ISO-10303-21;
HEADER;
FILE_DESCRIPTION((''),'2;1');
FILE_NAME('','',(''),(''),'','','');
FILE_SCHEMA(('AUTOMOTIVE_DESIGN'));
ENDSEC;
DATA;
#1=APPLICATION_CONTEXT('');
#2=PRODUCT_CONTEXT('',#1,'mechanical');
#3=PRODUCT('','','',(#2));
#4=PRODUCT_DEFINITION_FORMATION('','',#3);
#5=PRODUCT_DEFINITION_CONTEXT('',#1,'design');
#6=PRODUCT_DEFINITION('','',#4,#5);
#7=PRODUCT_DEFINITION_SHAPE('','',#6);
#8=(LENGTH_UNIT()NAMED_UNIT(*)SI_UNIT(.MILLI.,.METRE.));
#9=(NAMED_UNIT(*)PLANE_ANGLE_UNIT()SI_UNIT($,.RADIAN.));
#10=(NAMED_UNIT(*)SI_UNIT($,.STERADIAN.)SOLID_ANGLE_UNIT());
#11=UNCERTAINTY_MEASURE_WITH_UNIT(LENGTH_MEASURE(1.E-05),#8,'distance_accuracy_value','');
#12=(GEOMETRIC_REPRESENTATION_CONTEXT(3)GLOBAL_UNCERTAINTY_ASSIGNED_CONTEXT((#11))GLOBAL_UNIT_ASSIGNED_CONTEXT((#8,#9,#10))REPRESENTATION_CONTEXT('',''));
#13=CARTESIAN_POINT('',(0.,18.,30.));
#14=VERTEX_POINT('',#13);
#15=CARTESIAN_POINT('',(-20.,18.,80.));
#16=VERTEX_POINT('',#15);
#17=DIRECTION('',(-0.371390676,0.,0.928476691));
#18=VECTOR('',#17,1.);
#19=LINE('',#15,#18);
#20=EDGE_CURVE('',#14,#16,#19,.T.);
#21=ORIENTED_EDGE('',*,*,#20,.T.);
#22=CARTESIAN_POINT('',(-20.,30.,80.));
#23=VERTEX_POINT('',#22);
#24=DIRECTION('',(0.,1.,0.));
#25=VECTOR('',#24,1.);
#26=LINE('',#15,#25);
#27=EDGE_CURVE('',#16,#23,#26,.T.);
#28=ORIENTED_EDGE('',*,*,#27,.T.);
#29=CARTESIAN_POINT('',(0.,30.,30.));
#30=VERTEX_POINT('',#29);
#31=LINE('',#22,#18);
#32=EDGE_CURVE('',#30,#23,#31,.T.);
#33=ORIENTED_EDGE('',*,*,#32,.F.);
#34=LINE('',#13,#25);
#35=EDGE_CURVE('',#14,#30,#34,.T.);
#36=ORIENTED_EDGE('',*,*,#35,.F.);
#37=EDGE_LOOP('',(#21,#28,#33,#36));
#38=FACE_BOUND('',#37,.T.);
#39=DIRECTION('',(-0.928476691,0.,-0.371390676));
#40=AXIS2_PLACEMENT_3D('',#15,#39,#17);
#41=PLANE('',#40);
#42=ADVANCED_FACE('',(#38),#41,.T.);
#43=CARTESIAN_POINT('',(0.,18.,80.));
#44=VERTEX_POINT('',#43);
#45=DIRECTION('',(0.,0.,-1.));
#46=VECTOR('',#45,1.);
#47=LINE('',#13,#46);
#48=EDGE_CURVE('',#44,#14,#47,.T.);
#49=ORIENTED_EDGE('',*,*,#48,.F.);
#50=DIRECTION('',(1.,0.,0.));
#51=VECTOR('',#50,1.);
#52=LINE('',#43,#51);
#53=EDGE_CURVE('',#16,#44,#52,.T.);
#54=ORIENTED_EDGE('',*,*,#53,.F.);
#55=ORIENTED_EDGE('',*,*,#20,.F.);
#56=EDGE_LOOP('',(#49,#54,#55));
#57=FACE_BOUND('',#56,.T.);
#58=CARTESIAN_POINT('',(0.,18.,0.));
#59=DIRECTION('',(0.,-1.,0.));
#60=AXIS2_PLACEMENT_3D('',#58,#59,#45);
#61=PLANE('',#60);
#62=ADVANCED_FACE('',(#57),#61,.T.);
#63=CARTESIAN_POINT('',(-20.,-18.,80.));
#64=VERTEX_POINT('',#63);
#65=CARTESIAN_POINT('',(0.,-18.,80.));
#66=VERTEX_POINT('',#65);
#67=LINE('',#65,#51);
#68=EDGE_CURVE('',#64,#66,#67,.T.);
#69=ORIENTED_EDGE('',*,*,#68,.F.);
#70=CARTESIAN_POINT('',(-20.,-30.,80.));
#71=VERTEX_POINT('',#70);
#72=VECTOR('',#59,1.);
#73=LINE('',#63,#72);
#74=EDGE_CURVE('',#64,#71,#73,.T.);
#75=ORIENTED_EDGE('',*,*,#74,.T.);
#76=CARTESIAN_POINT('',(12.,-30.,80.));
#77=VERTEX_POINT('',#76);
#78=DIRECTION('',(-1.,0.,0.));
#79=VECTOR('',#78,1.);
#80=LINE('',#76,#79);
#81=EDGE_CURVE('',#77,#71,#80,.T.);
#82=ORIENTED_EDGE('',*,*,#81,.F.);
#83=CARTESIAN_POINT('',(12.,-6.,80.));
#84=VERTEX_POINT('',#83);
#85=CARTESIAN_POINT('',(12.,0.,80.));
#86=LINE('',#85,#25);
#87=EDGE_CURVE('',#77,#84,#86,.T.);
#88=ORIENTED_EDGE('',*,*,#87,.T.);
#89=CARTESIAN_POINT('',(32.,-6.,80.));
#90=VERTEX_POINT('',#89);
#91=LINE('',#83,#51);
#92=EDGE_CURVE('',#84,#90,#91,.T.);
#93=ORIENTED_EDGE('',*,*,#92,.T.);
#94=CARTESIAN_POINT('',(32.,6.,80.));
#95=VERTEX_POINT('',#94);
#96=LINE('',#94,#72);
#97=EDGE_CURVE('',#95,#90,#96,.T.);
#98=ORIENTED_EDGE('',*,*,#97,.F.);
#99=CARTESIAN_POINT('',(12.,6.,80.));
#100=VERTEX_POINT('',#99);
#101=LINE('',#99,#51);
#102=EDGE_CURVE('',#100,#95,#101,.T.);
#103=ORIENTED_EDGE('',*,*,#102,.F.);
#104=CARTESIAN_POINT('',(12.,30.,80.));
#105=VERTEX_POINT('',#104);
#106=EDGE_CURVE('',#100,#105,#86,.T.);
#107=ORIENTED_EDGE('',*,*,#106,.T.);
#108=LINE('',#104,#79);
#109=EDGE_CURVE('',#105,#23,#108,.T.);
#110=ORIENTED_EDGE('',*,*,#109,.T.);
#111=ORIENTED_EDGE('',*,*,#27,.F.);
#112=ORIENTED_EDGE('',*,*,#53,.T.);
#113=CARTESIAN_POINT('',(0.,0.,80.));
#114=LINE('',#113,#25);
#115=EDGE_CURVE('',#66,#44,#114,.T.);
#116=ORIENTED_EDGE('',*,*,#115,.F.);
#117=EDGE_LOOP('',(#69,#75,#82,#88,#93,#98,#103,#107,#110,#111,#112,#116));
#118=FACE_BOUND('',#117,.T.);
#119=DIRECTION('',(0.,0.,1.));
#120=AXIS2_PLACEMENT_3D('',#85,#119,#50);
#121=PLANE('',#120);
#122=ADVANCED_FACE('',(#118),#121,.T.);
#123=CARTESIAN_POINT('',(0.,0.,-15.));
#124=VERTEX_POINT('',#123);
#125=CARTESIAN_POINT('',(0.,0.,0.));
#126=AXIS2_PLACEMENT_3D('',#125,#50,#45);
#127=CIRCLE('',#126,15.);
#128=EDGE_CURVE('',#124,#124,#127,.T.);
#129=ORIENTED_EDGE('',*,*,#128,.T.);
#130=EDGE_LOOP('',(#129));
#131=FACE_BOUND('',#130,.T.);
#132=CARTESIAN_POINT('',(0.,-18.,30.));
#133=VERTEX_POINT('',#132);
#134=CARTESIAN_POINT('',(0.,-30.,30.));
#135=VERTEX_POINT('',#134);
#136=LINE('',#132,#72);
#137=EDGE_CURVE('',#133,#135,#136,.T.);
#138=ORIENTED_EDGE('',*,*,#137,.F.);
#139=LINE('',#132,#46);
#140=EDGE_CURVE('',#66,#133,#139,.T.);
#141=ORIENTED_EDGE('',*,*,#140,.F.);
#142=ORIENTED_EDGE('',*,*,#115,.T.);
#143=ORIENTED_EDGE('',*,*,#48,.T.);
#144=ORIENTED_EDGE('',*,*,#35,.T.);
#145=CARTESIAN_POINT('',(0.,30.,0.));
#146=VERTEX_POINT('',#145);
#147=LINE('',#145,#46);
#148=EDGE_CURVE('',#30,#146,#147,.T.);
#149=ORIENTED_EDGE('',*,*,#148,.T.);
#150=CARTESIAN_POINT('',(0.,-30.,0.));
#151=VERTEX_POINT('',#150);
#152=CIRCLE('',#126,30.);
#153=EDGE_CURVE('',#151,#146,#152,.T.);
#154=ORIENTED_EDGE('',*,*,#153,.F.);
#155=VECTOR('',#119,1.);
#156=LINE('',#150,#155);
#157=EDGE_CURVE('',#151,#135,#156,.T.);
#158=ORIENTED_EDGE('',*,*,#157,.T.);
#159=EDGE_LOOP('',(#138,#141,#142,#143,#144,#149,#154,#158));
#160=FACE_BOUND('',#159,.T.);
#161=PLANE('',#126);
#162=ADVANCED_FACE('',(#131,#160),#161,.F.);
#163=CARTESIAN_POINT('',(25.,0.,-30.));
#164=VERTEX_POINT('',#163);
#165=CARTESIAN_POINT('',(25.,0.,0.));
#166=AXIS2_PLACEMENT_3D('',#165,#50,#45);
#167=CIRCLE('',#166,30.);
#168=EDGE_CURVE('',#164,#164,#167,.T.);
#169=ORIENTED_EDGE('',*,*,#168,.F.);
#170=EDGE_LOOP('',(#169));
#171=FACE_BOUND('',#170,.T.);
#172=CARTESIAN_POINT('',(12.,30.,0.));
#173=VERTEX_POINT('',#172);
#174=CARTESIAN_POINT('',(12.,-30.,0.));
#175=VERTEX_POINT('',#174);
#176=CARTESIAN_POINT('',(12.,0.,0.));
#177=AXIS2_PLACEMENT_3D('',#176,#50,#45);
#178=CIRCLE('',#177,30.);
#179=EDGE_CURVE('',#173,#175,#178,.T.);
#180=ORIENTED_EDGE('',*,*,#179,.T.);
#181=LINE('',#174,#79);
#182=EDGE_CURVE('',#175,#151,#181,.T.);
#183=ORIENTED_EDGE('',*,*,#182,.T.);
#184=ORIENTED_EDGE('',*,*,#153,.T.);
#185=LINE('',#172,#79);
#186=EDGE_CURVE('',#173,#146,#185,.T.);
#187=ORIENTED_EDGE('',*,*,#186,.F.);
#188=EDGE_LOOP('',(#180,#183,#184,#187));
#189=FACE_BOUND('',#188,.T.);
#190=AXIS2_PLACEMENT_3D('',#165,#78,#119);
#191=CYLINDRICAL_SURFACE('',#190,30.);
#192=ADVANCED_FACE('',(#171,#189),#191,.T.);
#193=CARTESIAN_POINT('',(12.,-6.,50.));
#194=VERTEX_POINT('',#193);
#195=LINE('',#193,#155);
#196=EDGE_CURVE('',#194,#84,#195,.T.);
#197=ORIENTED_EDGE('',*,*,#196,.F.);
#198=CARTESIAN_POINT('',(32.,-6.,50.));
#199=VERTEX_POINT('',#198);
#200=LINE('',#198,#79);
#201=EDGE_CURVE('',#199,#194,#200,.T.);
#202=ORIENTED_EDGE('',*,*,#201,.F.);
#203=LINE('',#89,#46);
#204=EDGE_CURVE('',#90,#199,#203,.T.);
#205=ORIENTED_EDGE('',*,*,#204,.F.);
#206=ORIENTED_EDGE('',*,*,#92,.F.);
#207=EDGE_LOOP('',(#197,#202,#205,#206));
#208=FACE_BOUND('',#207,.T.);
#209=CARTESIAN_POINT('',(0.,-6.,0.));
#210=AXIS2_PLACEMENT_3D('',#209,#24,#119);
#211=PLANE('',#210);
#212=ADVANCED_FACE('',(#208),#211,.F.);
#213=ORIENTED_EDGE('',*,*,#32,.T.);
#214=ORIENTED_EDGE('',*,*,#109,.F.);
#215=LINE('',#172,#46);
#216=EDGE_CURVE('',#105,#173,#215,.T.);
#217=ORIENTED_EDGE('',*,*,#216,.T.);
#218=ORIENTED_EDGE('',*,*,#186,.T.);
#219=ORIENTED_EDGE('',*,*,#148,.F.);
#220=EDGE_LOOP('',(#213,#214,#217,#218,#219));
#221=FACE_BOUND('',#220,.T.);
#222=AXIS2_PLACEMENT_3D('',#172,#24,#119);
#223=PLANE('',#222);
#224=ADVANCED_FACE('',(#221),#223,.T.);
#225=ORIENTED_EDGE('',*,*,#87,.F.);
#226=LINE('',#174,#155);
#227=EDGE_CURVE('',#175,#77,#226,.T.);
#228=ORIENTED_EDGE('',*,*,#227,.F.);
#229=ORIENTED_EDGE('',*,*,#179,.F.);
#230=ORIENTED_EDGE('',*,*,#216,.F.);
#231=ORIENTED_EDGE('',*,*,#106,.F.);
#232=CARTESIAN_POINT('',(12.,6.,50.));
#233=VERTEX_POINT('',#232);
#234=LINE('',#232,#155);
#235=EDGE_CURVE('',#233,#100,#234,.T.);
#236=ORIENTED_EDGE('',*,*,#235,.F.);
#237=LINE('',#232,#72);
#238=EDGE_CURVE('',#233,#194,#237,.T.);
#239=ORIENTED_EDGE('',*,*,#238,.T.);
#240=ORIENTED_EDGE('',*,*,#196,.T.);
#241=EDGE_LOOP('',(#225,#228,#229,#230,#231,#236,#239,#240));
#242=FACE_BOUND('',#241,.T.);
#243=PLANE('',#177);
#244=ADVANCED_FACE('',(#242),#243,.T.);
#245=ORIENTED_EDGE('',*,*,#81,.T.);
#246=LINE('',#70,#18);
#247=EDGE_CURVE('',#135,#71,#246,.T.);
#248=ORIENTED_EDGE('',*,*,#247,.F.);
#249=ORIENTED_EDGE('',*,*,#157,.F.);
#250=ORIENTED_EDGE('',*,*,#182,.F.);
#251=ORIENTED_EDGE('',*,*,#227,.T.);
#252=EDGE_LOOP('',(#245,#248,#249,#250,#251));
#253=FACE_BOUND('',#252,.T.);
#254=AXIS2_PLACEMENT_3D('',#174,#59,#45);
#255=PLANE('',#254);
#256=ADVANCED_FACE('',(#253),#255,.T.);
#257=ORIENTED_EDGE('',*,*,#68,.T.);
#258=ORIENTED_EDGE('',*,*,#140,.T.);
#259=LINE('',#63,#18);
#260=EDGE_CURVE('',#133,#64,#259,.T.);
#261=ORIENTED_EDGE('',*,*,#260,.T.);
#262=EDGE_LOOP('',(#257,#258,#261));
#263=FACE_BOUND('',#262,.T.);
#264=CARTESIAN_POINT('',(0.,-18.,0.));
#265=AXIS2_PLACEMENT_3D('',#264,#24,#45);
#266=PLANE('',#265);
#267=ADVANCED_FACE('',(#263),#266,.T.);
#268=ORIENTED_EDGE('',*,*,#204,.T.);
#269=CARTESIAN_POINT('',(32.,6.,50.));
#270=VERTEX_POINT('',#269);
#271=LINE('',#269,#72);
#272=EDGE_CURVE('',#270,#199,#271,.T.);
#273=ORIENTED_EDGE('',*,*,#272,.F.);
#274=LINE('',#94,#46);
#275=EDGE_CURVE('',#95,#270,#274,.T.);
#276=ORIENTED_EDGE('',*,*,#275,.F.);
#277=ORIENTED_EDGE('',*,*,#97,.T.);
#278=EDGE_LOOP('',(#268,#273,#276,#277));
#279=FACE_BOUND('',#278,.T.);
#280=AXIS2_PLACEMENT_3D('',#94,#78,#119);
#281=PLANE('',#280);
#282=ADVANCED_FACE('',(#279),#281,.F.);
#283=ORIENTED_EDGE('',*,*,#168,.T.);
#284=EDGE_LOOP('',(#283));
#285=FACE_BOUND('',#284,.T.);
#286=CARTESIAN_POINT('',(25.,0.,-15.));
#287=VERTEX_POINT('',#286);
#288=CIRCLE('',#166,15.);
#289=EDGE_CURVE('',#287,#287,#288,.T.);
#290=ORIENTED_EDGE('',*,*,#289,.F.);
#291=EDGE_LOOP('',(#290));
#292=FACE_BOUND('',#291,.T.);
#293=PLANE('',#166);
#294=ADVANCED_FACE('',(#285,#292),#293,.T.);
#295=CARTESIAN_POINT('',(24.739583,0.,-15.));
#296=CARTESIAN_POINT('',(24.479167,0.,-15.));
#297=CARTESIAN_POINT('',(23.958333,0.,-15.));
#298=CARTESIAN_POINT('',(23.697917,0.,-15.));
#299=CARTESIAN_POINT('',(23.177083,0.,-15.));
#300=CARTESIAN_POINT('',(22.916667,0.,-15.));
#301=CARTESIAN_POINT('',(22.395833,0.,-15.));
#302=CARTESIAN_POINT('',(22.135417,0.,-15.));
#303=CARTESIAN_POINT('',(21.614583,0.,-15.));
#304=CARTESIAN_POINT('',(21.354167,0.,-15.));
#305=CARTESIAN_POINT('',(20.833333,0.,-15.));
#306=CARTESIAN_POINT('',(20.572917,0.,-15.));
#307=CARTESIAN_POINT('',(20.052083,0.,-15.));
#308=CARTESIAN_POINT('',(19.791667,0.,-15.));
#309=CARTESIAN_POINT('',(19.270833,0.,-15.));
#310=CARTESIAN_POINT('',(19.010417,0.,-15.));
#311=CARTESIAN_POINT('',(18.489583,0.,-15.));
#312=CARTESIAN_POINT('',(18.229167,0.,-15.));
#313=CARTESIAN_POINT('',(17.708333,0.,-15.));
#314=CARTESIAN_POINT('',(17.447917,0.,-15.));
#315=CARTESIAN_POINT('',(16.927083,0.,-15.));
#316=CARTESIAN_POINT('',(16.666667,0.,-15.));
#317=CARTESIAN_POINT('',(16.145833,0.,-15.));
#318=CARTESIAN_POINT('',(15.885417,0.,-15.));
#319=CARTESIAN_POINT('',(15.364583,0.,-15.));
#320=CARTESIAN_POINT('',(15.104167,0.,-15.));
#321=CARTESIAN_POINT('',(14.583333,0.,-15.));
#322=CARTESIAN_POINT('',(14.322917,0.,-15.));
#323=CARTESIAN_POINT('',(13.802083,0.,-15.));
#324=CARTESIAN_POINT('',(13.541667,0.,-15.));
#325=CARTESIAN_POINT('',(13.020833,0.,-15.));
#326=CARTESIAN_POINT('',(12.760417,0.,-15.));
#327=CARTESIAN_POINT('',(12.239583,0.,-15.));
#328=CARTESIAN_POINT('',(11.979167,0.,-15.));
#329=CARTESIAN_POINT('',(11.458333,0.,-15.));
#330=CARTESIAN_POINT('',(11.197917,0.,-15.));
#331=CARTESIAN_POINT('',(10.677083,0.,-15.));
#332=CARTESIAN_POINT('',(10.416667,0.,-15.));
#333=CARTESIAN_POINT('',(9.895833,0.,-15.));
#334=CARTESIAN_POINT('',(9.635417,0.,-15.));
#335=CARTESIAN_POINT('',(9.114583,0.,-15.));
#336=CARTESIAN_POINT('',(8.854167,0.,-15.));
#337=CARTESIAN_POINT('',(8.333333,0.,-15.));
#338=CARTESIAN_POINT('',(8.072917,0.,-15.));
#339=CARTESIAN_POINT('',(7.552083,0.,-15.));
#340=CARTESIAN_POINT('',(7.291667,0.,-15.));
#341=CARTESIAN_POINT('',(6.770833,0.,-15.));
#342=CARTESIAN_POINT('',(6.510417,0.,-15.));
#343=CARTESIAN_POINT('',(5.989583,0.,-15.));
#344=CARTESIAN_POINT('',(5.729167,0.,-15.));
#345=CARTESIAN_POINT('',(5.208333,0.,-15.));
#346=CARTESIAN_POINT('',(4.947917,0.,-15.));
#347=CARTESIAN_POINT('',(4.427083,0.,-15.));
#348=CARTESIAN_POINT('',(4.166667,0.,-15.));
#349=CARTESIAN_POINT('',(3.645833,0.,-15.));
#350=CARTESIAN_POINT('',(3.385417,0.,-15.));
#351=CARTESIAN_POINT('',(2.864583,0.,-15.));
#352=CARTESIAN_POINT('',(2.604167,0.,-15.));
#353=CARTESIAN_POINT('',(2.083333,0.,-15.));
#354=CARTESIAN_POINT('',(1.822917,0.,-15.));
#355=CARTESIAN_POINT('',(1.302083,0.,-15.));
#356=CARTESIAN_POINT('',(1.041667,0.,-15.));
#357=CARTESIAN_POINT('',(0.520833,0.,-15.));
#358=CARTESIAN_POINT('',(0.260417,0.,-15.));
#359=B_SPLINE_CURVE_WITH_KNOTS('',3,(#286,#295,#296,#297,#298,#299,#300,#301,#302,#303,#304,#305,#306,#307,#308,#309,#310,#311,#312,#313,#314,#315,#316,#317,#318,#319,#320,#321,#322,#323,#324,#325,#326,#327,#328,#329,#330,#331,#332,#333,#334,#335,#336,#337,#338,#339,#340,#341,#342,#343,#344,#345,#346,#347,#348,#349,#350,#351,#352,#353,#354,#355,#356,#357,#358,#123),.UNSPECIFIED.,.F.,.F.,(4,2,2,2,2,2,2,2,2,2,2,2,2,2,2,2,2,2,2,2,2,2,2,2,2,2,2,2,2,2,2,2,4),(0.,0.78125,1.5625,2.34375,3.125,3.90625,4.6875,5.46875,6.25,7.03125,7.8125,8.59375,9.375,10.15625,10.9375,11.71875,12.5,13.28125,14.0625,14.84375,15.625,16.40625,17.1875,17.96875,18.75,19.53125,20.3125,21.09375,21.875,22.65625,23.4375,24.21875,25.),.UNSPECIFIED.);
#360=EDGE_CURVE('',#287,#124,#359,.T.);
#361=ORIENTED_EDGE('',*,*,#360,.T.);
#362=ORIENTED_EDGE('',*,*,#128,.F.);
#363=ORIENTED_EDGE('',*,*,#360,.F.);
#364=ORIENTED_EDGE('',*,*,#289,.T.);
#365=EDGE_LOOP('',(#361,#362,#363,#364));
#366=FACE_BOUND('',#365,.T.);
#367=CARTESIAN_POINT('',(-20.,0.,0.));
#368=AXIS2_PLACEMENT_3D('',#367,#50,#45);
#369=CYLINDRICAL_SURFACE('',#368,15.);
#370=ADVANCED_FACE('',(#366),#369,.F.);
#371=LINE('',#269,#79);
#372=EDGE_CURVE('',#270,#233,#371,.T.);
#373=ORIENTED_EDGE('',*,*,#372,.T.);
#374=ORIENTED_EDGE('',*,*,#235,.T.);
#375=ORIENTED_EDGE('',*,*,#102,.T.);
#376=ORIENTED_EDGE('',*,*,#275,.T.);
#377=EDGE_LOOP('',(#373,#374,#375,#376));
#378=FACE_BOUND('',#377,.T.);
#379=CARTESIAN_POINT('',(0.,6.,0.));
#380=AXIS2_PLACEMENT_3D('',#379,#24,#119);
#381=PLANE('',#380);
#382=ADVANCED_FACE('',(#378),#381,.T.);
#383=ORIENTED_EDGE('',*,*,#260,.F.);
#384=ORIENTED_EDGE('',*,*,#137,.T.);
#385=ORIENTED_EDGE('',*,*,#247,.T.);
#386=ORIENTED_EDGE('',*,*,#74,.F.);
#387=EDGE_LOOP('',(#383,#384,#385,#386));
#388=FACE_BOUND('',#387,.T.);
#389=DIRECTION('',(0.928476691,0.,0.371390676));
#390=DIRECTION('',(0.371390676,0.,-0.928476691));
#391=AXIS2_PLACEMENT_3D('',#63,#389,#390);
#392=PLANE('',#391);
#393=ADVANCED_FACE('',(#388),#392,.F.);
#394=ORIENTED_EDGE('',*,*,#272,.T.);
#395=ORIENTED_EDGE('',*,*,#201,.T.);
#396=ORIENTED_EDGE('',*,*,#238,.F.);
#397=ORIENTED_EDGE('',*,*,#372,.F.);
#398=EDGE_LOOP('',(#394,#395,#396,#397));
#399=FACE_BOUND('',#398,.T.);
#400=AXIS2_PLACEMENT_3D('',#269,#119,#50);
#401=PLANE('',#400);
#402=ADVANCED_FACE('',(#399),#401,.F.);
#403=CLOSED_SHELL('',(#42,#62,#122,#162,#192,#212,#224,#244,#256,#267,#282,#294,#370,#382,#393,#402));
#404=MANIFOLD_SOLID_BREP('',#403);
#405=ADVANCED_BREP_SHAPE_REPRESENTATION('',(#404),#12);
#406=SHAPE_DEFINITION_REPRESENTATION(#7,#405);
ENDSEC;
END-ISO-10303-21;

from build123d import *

# Parameters (mm, degrees)
BOSS_EXTRUDE1_DEPTH     = 12
BOSS_EXTRUDE2_DEPTH     = 25
SKETCH2_W               = 20
SKETCH2_H               = 30
BOSS_EXTRUDE3_DEPTH     = 6
BOSS_EXTRUDE4_DEPTH     = 12
CUT_EXTRUDE1_DEPTH      = 97.566039579
CUT_EXTRUDE1_DEPTH_BACK = 97.566039579
SKETCH4_R               = 15


with BuildPart() as part:
    # Sketch1 → Boss-Extrude1 (new body)
    with BuildSketch(Plane.YZ):
        with BuildLine():
            Line((-30, 80), (-30, 0))
            ThreePointArc((-30, 0), (0, 30), (30, 0))
            Line((30, 0), (30, 80))
            Line((30, 80), (-30, 80))
        make_face()
    extrude(amount=BOSS_EXTRUDE1_DEPTH)

    # Sketch1<3> → Boss-Extrude2 (add)
    with BuildSketch(Plane.YZ):
        with BuildLine():
            ThreePointArc((30, 0), (0, 30), (-30, 0))
            ThreePointArc((-30, 0), (0, -30), (30, 0))
        make_face()
    extrude(amount=BOSS_EXTRUDE2_DEPTH)

    # Sketch2 → Boss-Extrude3 (add, symmetric)
    with BuildSketch(Plane(origin=(0, 0, 0), x_dir=(-1, 0, 0), z_dir=(0, 1, 0))):
        with Locations((-22, 65)):
            Rectangle(SKETCH2_W, SKETCH2_H)
    extrude(amount=BOSS_EXTRUDE3_DEPTH, both=True)

    # Sketch3 → Boss-Extrude4 (add)
    with BuildSketch(Plane(origin=(0, 30, 0), x_dir=(-1, 0, 0), z_dir=(0, 1, 0))):
        Polygon((0, 80), (20, 80), (0, 30), align=None)
    boss_extrude4 = extrude(amount=-BOSS_EXTRUDE4_DEPTH)

    # Mirror1: Boss-Extrude4 across plane
    add(boss_extrude4.mirror(Plane.ZX))

    # Sketch4 → Cut-Extrude1 (cut, two sides: drawn at the far end of the back side and taken through both)
    with BuildSketch(Plane.YZ.offset(25).offset(-CUT_EXTRUDE1_DEPTH_BACK)):
        Circle(SKETCH4_R)
    extrude(amount=CUT_EXTRUDE1_DEPTH + CUT_EXTRUDE1_DEPTH_BACK, mode=Mode.SUBTRACT)


solid = part.part
